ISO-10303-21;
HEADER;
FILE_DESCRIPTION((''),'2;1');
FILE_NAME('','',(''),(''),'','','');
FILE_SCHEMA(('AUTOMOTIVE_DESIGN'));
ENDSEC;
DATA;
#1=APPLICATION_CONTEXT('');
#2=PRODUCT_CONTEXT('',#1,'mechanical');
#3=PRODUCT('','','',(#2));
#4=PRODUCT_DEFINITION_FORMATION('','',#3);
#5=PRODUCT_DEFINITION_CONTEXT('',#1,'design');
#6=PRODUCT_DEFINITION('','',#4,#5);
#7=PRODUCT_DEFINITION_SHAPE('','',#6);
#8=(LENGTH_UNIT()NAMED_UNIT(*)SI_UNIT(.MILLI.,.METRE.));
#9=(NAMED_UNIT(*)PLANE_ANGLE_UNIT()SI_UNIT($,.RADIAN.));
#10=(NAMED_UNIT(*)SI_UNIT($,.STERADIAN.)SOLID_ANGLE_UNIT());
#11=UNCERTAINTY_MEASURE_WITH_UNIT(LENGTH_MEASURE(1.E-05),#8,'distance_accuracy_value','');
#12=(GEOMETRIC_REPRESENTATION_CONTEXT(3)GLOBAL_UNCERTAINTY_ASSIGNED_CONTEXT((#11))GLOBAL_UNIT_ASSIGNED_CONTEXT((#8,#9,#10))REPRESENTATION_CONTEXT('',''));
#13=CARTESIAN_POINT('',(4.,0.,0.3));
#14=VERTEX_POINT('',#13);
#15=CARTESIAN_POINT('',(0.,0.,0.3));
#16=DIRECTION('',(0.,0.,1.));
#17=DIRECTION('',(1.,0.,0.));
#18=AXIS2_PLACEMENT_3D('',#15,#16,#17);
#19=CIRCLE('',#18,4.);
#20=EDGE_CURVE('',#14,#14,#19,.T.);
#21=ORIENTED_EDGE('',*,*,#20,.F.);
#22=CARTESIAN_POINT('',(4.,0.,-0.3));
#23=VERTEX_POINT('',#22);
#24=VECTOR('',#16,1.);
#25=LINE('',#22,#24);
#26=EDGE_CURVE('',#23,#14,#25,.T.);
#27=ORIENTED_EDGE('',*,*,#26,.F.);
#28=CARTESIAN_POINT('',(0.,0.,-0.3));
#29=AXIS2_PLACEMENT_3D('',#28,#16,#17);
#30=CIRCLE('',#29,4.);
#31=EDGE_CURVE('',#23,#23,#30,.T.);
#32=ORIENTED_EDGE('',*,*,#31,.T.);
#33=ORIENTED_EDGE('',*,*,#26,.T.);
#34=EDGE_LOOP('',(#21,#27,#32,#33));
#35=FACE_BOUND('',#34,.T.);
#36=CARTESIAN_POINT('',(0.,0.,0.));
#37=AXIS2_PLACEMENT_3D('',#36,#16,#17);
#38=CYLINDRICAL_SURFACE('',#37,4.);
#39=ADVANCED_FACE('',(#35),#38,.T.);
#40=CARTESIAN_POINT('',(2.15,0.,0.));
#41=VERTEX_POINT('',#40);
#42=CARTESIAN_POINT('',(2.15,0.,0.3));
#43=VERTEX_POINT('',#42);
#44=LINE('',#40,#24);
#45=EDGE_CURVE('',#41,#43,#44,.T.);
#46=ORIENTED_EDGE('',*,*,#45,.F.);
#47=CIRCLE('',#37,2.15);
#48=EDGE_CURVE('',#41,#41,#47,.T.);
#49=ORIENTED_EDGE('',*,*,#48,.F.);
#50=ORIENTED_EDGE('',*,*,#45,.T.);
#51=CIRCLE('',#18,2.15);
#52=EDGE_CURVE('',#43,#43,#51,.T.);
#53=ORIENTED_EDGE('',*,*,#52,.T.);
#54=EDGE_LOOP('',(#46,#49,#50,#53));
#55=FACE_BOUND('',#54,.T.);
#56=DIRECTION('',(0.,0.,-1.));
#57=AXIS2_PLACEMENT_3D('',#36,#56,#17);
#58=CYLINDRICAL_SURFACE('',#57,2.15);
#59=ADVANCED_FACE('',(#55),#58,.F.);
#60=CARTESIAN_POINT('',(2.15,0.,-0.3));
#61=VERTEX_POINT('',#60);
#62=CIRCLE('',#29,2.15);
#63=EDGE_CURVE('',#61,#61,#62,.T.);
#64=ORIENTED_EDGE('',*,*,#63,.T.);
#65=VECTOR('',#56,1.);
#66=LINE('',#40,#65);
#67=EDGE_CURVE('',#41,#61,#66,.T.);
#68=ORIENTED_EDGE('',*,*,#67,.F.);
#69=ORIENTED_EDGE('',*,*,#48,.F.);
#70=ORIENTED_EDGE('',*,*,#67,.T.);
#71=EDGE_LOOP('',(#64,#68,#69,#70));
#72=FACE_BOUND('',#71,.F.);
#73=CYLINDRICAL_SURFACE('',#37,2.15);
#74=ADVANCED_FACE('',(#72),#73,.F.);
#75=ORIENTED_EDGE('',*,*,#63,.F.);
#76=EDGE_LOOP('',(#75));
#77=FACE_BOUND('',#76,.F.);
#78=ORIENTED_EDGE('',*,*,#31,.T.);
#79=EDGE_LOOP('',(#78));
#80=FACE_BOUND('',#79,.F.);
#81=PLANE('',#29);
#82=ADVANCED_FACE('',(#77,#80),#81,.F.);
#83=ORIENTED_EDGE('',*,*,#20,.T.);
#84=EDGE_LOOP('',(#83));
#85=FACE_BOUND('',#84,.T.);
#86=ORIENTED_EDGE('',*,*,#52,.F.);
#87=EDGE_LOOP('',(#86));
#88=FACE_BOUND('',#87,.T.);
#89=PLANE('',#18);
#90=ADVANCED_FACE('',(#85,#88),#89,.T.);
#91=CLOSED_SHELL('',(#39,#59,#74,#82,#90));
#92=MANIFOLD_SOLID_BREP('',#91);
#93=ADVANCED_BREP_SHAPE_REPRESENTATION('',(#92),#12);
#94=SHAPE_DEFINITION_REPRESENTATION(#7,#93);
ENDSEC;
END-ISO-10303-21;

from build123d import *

# Parameters (mm, degrees)
SKETCH3_R                = 4
SKETCH3_R_2              = 2.15
BOSS_EXTRUDE1_DEPTH      = 0.3
BOSS_EXTRUDE1_DEPTH_BACK = 0.3


with BuildPart() as part:
    # Sketch3 → Boss-Extrude1 (new body, two sides)
    with BuildSketch(Plane.XY) as boss_extrude1_sk:
        Circle(SKETCH3_R)
        Circle(SKETCH3_R_2, mode=Mode.SUBTRACT)
    extrude(amount=BOSS_EXTRUDE1_DEPTH)
    extrude(boss_extrude1_sk.sketch, amount=-BOSS_EXTRUDE1_DEPTH_BACK)


solid = part.part
